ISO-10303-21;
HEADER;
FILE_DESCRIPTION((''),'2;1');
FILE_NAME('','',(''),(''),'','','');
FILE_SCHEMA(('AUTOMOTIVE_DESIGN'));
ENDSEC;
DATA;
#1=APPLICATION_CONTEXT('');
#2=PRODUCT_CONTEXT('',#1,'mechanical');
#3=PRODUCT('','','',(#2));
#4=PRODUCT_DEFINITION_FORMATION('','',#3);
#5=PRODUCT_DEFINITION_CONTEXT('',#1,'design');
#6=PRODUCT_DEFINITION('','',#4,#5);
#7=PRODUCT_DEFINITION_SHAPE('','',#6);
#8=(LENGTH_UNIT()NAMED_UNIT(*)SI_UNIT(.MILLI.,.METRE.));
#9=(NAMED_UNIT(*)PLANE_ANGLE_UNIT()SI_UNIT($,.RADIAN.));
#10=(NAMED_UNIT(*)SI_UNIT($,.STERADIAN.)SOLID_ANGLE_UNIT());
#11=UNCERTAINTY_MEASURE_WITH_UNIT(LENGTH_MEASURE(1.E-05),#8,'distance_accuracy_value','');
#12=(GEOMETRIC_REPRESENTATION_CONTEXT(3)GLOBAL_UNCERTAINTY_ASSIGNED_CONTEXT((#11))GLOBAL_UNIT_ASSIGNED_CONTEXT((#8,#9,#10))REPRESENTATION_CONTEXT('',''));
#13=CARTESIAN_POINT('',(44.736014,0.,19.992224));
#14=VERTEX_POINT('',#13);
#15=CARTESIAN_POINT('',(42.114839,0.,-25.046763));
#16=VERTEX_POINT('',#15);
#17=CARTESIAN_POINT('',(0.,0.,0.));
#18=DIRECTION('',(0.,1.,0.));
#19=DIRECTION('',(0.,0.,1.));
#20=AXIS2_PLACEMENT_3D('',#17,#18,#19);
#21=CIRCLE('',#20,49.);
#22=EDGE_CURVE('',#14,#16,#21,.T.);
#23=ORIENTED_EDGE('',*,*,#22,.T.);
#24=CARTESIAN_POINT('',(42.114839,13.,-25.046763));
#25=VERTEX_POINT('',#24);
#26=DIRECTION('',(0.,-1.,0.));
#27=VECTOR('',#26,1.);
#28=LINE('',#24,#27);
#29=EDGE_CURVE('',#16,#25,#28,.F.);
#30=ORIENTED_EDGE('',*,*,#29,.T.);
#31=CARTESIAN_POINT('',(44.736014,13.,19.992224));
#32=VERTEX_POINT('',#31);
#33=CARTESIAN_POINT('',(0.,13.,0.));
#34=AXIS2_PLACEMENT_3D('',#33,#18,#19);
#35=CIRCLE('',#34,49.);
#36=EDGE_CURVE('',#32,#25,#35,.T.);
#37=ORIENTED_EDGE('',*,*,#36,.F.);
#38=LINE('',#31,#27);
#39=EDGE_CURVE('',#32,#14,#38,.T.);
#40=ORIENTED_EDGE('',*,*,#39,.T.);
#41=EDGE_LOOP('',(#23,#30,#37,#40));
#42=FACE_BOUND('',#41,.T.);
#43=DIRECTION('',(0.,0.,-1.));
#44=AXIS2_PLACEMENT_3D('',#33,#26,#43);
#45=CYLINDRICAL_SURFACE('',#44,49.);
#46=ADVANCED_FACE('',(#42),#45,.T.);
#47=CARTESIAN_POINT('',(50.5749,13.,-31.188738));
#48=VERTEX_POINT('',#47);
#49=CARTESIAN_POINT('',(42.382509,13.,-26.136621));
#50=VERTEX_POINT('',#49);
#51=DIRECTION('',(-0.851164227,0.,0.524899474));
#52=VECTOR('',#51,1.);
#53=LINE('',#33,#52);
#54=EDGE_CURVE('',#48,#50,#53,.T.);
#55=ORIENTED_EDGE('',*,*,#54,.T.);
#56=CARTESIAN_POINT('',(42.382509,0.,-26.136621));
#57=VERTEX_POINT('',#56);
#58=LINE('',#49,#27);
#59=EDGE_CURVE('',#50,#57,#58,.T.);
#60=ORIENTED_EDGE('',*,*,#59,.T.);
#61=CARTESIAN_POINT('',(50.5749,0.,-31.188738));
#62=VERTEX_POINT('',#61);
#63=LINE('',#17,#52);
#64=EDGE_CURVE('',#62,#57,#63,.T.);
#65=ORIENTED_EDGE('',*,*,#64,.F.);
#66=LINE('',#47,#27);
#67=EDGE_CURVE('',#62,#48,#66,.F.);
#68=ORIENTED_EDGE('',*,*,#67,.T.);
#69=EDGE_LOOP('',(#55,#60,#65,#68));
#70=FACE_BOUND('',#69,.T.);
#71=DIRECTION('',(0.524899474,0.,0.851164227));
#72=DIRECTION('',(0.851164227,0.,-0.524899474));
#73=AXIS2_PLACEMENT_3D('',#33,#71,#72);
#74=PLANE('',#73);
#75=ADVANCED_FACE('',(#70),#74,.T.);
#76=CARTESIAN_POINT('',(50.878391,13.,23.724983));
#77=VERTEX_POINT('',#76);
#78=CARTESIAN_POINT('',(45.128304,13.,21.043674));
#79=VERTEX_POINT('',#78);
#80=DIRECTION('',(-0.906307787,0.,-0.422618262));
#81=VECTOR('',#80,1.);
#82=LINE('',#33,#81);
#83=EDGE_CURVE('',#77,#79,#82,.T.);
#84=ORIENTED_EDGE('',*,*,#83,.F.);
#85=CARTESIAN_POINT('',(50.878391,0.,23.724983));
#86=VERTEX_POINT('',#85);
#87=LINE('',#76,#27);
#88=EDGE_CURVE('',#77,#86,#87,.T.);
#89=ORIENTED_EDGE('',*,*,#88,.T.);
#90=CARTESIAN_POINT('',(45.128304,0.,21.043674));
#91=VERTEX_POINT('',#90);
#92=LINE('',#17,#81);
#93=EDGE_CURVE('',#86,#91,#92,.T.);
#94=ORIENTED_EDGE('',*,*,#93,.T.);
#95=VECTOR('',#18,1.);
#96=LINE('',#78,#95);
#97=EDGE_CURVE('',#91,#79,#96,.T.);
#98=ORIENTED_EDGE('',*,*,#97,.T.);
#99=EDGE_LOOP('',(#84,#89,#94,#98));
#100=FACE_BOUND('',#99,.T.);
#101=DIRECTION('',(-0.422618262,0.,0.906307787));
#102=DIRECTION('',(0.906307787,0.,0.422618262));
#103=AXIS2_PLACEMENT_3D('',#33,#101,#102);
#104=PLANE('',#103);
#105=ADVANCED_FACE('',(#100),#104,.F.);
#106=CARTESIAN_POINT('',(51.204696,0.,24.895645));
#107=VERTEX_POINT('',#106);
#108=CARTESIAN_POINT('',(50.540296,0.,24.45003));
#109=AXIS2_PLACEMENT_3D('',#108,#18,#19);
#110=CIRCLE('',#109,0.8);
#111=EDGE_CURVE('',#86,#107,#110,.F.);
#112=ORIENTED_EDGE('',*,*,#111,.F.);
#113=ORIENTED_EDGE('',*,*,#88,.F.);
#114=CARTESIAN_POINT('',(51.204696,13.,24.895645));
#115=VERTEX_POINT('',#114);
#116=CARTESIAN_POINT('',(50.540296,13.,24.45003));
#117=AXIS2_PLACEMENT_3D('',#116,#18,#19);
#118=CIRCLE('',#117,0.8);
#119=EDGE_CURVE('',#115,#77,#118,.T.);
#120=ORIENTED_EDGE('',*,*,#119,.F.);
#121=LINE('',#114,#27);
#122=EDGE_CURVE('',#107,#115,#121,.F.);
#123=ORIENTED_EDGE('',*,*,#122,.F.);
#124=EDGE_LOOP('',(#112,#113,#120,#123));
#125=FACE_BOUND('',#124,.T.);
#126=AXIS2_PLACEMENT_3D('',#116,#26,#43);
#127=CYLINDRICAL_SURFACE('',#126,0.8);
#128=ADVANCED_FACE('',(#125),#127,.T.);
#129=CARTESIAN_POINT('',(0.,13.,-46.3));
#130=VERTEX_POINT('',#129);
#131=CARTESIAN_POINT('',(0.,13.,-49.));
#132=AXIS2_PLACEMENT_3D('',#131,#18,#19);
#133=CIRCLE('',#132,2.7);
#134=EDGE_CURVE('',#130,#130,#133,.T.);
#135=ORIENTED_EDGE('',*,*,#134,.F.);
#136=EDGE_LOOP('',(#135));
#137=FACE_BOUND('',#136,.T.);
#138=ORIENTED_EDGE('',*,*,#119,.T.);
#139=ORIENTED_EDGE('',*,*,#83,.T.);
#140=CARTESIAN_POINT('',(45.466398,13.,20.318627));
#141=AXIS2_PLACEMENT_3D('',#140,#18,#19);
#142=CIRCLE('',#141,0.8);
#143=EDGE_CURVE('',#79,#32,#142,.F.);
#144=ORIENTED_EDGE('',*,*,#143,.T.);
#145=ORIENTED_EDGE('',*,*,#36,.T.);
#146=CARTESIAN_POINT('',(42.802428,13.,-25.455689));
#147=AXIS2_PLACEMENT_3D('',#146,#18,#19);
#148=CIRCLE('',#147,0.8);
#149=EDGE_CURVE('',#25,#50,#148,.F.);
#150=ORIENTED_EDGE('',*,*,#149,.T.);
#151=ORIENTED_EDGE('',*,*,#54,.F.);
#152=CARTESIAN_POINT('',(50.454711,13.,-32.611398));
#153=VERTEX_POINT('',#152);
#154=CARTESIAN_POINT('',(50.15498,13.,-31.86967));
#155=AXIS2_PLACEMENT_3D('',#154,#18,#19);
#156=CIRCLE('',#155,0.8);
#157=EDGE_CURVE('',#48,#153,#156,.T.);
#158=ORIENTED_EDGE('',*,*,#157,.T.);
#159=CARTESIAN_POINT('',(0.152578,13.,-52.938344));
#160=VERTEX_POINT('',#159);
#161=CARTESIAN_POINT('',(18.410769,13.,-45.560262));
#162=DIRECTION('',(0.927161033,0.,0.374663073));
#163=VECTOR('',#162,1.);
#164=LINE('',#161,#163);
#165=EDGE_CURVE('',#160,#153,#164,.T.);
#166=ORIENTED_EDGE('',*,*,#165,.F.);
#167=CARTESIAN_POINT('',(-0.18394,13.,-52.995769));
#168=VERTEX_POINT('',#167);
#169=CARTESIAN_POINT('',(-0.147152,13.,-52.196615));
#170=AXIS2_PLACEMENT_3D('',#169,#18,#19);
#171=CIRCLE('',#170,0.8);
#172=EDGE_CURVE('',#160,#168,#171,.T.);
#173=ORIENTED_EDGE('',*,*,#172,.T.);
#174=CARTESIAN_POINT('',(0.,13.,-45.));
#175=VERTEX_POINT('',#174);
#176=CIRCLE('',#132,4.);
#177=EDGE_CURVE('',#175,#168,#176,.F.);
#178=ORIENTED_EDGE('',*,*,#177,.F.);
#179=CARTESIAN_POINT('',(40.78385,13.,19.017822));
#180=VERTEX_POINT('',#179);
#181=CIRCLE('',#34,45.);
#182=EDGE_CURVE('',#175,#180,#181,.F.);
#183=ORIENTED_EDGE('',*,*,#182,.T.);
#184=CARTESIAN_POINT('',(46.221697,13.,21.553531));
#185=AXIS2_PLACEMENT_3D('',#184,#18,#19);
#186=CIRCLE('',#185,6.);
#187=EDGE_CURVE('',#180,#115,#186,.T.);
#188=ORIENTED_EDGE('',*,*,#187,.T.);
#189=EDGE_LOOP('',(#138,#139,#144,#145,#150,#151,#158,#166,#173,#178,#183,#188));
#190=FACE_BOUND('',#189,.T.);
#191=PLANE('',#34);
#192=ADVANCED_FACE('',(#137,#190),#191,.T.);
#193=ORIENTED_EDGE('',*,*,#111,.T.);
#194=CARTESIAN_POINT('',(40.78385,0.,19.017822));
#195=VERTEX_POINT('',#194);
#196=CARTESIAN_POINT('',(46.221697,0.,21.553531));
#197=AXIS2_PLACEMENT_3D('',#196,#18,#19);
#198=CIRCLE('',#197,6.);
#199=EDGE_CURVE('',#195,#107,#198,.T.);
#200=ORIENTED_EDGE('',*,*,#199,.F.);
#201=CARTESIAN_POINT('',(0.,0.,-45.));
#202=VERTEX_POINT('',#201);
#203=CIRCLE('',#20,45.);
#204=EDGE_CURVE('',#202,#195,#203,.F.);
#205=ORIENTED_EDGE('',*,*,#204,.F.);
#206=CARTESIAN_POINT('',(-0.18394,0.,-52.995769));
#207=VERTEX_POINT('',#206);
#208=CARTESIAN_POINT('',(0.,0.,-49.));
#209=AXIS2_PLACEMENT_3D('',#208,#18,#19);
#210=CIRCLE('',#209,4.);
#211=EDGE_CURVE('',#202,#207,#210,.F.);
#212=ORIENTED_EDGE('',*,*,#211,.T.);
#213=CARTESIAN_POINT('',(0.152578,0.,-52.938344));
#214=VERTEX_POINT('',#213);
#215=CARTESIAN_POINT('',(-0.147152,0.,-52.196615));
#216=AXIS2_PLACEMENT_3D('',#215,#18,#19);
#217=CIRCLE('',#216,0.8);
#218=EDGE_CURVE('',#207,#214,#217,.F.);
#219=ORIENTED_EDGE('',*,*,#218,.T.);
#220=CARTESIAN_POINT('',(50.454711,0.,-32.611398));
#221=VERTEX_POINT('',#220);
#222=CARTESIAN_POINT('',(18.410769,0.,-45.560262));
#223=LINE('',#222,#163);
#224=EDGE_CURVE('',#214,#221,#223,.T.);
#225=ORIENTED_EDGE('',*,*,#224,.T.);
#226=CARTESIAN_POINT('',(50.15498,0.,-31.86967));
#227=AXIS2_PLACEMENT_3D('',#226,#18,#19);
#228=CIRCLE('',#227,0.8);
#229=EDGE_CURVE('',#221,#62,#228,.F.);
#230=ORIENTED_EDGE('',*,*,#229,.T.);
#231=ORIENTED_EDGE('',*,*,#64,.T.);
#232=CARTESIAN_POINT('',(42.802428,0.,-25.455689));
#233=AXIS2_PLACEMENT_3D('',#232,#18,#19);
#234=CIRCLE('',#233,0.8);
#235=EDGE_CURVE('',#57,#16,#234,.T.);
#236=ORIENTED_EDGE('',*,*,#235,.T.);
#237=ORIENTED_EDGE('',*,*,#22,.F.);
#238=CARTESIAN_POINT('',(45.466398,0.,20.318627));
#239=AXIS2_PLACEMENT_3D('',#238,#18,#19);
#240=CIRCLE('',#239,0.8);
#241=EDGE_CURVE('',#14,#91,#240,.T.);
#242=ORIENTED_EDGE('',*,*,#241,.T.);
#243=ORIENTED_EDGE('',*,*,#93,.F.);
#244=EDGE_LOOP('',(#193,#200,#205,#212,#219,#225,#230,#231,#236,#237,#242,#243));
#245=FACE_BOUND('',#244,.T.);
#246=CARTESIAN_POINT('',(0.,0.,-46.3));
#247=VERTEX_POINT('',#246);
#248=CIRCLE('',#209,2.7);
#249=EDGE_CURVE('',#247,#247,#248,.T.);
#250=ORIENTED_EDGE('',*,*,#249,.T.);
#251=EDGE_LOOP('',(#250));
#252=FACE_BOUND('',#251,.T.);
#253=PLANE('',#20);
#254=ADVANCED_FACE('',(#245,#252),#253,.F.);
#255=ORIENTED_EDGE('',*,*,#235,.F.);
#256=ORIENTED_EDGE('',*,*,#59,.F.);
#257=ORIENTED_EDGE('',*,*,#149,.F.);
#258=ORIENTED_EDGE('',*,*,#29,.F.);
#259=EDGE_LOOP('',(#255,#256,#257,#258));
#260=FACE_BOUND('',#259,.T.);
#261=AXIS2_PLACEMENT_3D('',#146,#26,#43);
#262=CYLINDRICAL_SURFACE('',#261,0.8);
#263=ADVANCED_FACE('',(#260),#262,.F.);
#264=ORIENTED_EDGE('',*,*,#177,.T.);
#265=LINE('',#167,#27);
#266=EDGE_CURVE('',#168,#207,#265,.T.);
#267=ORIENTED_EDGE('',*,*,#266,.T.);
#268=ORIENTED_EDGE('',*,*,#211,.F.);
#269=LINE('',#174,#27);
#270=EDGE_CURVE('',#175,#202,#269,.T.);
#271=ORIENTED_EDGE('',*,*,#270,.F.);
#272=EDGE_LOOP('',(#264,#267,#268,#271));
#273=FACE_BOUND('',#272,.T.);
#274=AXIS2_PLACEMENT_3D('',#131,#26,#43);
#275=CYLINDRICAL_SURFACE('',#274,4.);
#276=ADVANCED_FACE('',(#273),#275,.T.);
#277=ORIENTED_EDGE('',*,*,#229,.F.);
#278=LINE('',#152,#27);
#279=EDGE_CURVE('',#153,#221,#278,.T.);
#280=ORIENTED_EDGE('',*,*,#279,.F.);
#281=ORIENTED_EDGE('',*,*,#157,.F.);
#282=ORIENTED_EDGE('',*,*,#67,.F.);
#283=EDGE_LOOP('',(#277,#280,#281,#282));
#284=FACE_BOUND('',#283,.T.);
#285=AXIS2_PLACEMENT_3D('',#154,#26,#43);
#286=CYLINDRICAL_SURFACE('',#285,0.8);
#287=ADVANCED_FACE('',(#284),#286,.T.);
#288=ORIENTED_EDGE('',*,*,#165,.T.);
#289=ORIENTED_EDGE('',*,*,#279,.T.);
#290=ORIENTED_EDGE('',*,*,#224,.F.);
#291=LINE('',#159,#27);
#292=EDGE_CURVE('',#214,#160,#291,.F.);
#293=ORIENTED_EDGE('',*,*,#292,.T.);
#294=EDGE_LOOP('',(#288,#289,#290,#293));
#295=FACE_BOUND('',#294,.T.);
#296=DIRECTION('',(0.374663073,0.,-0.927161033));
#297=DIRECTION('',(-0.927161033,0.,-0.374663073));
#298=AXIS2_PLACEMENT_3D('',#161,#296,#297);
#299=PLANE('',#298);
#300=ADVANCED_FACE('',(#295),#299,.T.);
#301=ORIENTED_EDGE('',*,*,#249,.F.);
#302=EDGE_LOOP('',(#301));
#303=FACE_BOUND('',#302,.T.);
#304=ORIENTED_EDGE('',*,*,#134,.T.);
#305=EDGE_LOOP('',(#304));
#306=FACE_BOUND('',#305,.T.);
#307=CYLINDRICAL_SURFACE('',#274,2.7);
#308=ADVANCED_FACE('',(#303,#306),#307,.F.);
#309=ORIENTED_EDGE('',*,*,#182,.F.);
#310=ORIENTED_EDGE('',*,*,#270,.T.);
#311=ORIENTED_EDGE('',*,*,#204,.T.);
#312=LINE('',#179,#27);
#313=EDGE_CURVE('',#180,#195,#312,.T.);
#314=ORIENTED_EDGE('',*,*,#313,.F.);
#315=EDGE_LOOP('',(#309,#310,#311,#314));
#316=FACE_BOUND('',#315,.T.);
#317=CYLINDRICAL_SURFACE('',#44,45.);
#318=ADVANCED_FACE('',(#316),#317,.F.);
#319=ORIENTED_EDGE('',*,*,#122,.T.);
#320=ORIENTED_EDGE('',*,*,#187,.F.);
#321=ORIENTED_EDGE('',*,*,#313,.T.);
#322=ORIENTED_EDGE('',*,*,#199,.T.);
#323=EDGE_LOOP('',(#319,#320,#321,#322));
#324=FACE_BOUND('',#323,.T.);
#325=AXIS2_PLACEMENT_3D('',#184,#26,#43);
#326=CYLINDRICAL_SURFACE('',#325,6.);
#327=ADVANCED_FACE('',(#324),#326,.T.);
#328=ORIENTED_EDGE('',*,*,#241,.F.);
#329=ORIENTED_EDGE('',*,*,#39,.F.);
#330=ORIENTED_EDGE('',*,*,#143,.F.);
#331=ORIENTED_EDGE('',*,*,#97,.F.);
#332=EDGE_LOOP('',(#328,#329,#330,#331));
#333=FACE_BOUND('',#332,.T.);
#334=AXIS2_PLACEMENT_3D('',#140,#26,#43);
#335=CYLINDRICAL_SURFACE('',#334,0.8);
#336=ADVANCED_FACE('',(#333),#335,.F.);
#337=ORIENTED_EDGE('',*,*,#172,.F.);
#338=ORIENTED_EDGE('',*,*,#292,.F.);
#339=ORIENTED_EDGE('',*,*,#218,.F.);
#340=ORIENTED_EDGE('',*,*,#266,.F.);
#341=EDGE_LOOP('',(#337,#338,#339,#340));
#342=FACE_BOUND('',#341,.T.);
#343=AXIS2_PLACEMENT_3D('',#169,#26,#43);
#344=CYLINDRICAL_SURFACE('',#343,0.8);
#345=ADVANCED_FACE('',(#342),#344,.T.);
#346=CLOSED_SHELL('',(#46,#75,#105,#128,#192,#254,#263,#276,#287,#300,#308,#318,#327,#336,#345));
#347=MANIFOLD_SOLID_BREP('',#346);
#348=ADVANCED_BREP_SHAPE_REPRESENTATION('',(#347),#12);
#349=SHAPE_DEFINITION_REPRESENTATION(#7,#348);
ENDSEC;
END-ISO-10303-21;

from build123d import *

# Parameters (mm, degrees)
BOSS_EXTRUDE1_DEPTH = 13
FILLET1_R           = 0.8


with BuildPart() as part:
    # Sketch1 → Boss-Extrude1 (new body)
    with BuildSketch(Plane(origin=(0, 0, 0), x_dir=(1, 0, 0), z_dir=(0, 1, 0))):
        with BuildLine():
            Line((0, 51.7), (0, 53))
            ThreePointArc((0, 53), (-4, 49), (0, 45))
            ThreePointArc((0, 45), (37.952615062, 24.178482376), (40.783850417, -19.017821778))
            ThreePointArc((40.783850417, -19.017821778), (43.685987568, -26.991378071), (51.659543861, -24.089240919))
            Line((51.659543861, -24.089240919), (44.409081565, -20.708294825))
            ThreePointArc((44.409081565, -20.708294825), (48.917228757, 2.846880875), (41.707047143, 25.720074234))
            ThreePointArc((41.707047143, 25.720074234), (25.051905135, 42.111780407), (2.698975076, 48.925612245))
            ThreePointArc((2.698975076, 48.925612245), (-1.935309657, 47.117295421), (0, 51.7))
        make_face()
        with BuildLine():
            Line((51.921017872, 32.018867925), (0, 53))
            Line((0, 53), (0, 51.7))
            ThreePointArc((0, 51.7), (1.909188309, 50.909188309), (2.7, 49))
            ThreePointArc((2.7, 49), (2.699743757, 48.962802592), (2.698975076, 48.925612245))
            ThreePointArc((2.698975076, 48.925612245), (25.051905135, 42.111780407), (41.707047143, 25.720074234))
            Line((41.707047143, 25.720074234), (51.921017872, 32.018867925))
        make_face()
    extrude(amount=BOSS_EXTRUDE1_DEPTH)

    # Fillet1
    fillet1_edges = [part.edges().sort_by_distance(p)[0] for p in [
        (0, 6.5, -53),
        (51.921017872, 6.5, -32.018867925),
        (41.707047143, 6.5, -25.720074234),
        (44.409081565, 6.5, 20.708294825),
        (51.659543861, 6.5, 24.089240919),
    ]]
    fillet(fillet1_edges, radius=FILLET1_R)


solid = part.part
